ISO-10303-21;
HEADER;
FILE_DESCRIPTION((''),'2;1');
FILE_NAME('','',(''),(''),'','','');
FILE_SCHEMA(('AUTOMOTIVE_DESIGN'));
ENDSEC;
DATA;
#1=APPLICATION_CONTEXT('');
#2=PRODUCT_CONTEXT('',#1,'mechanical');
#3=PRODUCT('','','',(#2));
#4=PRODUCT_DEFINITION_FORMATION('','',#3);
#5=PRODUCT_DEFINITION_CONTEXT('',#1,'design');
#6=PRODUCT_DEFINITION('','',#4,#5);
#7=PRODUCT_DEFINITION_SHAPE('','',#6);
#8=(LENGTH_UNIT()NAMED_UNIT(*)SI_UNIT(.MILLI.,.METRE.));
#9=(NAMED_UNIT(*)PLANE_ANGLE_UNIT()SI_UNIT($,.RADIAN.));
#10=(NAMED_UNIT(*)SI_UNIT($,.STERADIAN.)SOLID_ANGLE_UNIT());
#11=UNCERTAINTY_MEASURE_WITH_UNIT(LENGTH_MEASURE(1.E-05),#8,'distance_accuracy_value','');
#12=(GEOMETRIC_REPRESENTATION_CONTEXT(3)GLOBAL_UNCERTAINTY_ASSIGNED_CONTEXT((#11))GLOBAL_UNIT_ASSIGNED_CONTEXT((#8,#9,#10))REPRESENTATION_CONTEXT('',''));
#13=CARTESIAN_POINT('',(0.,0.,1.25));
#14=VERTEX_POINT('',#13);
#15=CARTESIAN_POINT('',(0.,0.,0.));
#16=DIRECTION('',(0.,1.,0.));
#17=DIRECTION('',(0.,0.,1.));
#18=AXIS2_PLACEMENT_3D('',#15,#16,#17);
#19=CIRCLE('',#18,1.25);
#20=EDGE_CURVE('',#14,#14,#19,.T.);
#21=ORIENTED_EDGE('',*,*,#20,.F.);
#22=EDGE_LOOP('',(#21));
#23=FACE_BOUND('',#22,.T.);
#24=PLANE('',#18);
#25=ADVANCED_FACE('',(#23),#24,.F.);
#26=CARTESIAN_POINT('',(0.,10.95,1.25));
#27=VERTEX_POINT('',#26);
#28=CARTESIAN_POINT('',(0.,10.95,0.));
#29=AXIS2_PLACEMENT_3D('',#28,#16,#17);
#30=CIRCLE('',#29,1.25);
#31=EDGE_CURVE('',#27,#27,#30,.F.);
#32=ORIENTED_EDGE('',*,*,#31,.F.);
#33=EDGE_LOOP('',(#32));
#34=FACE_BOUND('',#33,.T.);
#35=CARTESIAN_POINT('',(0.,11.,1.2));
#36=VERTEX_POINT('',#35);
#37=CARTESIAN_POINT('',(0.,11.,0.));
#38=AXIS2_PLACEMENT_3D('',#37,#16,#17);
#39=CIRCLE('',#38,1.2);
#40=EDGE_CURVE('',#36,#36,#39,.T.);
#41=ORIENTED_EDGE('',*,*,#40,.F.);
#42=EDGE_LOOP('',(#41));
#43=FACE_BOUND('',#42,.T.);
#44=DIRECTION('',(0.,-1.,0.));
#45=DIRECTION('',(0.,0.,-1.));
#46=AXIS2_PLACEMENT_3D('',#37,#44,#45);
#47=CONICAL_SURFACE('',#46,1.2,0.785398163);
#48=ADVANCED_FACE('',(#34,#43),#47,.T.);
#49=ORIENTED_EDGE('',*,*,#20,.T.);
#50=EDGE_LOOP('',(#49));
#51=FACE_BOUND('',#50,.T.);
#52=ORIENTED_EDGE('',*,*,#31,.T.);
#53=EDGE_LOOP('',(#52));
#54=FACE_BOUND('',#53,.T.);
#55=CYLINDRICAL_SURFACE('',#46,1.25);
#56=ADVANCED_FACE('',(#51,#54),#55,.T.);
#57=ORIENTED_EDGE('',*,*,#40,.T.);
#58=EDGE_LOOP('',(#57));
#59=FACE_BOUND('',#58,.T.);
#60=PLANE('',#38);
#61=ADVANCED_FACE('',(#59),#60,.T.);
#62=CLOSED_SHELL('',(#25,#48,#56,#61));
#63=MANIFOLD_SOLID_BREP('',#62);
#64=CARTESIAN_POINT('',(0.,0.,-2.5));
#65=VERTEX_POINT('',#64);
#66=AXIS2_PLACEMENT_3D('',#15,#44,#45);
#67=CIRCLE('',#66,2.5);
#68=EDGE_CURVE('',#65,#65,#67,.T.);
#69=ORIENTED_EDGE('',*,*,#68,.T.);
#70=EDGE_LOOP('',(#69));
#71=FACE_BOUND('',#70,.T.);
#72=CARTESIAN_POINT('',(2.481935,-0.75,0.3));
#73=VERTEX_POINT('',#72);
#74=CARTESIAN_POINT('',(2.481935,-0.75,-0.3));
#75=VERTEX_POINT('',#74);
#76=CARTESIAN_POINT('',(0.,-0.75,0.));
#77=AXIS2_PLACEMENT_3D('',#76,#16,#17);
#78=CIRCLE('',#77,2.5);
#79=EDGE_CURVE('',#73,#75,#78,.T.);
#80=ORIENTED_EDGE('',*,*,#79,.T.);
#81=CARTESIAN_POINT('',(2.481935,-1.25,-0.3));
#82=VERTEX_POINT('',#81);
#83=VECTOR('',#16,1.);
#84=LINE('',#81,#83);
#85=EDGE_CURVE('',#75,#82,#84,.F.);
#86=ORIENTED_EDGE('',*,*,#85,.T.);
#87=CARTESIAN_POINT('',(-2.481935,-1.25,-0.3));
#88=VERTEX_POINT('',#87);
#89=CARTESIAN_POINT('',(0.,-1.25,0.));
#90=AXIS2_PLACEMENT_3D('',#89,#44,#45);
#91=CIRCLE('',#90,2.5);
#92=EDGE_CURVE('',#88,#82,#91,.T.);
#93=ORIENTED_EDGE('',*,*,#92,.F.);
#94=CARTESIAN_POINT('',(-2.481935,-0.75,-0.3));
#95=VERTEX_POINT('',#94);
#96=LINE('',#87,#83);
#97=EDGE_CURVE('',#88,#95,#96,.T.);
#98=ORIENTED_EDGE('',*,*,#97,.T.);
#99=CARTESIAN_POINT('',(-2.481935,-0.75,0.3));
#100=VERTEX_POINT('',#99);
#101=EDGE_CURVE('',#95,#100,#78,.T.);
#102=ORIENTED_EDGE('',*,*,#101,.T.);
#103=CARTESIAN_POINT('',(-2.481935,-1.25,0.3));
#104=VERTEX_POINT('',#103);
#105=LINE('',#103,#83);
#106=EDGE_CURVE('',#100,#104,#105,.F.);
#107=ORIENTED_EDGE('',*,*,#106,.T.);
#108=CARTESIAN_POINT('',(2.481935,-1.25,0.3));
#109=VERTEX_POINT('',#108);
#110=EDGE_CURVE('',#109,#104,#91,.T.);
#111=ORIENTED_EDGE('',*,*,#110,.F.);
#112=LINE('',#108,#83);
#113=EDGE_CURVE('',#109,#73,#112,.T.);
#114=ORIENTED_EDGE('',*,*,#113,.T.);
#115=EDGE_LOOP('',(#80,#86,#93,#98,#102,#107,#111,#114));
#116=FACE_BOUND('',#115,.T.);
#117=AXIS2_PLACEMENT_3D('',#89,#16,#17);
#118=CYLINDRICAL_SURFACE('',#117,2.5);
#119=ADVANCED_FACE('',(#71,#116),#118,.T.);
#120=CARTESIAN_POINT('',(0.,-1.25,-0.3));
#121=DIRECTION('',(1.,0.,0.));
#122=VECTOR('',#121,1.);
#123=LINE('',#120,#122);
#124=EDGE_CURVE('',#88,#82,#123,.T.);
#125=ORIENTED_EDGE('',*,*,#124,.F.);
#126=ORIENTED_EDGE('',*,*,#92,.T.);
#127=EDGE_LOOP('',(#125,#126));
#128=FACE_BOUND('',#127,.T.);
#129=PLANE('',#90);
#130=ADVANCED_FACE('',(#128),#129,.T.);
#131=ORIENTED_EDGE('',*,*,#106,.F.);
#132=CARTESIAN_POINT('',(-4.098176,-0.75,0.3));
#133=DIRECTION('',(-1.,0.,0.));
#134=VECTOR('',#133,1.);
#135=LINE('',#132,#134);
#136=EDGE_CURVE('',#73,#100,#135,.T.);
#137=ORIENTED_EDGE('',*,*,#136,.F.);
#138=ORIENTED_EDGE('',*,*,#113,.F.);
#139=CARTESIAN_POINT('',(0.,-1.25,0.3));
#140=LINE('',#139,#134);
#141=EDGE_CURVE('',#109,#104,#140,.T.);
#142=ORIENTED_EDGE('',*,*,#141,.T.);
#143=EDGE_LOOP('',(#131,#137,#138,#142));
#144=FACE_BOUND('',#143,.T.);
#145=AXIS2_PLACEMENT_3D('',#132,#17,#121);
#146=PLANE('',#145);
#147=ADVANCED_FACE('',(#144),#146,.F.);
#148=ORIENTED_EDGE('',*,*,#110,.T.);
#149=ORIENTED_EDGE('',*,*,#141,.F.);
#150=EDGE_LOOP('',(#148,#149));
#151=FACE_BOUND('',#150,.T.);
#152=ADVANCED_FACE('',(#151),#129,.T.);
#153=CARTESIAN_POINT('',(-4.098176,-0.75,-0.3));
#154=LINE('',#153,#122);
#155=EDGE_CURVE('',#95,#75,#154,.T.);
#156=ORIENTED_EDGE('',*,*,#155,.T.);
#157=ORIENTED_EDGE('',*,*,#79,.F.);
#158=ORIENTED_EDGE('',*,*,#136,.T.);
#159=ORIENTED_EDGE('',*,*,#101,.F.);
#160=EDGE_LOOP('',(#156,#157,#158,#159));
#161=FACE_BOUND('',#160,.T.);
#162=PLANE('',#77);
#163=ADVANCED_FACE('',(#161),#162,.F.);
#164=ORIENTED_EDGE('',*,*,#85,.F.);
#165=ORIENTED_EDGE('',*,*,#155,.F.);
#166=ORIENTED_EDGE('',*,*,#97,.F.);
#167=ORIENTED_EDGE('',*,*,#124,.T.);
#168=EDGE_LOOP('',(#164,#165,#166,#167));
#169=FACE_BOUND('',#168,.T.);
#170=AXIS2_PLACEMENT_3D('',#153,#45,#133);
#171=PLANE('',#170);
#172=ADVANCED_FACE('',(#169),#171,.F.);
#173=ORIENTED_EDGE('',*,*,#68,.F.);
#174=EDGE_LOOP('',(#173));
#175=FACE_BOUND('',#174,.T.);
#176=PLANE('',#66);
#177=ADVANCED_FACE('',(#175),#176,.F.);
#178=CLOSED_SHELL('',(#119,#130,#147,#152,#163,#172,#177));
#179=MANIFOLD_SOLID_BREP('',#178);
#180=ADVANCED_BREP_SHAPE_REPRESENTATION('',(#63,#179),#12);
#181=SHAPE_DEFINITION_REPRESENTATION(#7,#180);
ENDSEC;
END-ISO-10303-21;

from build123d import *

# Parameters (mm, degrees)
SKETCH1_R           = 1.25
BOSS_EXTRUDE1_DEPTH = 11
SKETCH2_R           = 2.5
BOSS_EXTRUDE2_DEPTH = 1.25
SKETCH3_W           = 8.196351728
SKETCH3_H           = 0.6
CUT_EXTRUDE1_DEPTH  = 0.5
CHAMFER1_SIZE       = 0.05


with BuildPart() as part:
    # Sketch1 → Boss-Extrude1 (new body)
    with BuildSketch(Plane(origin=(0, 0, 0), x_dir=(1, 0, 0), z_dir=(0, 1, 0))):
        Circle(SKETCH1_R)
    extrude(amount=BOSS_EXTRUDE1_DEPTH)

    # Chamfer1
    chamfer1_edges = [part.edges().sort_by_distance(p)[0] for p in [
        (-1.25, 11, 0),
    ]]
    chamfer(chamfer1_edges, length=CHAMFER1_SIZE)


with BuildPart() as body_2:
    # Sketch2 → Boss-Extrude2 (new body)
    with BuildSketch(Plane.XZ):
        Circle(SKETCH2_R)
    extrude(amount=BOSS_EXTRUDE2_DEPTH)

    # Sketch3 → Cut-Extrude1 (cut)
    with BuildSketch(Plane.XZ.offset(1.25)):
        Rectangle(SKETCH3_W, SKETCH3_H)
    extrude(amount=-CUT_EXTRUDE1_DEPTH, mode=Mode.SUBTRACT)


solid = Compound([part.part, body_2.part])
